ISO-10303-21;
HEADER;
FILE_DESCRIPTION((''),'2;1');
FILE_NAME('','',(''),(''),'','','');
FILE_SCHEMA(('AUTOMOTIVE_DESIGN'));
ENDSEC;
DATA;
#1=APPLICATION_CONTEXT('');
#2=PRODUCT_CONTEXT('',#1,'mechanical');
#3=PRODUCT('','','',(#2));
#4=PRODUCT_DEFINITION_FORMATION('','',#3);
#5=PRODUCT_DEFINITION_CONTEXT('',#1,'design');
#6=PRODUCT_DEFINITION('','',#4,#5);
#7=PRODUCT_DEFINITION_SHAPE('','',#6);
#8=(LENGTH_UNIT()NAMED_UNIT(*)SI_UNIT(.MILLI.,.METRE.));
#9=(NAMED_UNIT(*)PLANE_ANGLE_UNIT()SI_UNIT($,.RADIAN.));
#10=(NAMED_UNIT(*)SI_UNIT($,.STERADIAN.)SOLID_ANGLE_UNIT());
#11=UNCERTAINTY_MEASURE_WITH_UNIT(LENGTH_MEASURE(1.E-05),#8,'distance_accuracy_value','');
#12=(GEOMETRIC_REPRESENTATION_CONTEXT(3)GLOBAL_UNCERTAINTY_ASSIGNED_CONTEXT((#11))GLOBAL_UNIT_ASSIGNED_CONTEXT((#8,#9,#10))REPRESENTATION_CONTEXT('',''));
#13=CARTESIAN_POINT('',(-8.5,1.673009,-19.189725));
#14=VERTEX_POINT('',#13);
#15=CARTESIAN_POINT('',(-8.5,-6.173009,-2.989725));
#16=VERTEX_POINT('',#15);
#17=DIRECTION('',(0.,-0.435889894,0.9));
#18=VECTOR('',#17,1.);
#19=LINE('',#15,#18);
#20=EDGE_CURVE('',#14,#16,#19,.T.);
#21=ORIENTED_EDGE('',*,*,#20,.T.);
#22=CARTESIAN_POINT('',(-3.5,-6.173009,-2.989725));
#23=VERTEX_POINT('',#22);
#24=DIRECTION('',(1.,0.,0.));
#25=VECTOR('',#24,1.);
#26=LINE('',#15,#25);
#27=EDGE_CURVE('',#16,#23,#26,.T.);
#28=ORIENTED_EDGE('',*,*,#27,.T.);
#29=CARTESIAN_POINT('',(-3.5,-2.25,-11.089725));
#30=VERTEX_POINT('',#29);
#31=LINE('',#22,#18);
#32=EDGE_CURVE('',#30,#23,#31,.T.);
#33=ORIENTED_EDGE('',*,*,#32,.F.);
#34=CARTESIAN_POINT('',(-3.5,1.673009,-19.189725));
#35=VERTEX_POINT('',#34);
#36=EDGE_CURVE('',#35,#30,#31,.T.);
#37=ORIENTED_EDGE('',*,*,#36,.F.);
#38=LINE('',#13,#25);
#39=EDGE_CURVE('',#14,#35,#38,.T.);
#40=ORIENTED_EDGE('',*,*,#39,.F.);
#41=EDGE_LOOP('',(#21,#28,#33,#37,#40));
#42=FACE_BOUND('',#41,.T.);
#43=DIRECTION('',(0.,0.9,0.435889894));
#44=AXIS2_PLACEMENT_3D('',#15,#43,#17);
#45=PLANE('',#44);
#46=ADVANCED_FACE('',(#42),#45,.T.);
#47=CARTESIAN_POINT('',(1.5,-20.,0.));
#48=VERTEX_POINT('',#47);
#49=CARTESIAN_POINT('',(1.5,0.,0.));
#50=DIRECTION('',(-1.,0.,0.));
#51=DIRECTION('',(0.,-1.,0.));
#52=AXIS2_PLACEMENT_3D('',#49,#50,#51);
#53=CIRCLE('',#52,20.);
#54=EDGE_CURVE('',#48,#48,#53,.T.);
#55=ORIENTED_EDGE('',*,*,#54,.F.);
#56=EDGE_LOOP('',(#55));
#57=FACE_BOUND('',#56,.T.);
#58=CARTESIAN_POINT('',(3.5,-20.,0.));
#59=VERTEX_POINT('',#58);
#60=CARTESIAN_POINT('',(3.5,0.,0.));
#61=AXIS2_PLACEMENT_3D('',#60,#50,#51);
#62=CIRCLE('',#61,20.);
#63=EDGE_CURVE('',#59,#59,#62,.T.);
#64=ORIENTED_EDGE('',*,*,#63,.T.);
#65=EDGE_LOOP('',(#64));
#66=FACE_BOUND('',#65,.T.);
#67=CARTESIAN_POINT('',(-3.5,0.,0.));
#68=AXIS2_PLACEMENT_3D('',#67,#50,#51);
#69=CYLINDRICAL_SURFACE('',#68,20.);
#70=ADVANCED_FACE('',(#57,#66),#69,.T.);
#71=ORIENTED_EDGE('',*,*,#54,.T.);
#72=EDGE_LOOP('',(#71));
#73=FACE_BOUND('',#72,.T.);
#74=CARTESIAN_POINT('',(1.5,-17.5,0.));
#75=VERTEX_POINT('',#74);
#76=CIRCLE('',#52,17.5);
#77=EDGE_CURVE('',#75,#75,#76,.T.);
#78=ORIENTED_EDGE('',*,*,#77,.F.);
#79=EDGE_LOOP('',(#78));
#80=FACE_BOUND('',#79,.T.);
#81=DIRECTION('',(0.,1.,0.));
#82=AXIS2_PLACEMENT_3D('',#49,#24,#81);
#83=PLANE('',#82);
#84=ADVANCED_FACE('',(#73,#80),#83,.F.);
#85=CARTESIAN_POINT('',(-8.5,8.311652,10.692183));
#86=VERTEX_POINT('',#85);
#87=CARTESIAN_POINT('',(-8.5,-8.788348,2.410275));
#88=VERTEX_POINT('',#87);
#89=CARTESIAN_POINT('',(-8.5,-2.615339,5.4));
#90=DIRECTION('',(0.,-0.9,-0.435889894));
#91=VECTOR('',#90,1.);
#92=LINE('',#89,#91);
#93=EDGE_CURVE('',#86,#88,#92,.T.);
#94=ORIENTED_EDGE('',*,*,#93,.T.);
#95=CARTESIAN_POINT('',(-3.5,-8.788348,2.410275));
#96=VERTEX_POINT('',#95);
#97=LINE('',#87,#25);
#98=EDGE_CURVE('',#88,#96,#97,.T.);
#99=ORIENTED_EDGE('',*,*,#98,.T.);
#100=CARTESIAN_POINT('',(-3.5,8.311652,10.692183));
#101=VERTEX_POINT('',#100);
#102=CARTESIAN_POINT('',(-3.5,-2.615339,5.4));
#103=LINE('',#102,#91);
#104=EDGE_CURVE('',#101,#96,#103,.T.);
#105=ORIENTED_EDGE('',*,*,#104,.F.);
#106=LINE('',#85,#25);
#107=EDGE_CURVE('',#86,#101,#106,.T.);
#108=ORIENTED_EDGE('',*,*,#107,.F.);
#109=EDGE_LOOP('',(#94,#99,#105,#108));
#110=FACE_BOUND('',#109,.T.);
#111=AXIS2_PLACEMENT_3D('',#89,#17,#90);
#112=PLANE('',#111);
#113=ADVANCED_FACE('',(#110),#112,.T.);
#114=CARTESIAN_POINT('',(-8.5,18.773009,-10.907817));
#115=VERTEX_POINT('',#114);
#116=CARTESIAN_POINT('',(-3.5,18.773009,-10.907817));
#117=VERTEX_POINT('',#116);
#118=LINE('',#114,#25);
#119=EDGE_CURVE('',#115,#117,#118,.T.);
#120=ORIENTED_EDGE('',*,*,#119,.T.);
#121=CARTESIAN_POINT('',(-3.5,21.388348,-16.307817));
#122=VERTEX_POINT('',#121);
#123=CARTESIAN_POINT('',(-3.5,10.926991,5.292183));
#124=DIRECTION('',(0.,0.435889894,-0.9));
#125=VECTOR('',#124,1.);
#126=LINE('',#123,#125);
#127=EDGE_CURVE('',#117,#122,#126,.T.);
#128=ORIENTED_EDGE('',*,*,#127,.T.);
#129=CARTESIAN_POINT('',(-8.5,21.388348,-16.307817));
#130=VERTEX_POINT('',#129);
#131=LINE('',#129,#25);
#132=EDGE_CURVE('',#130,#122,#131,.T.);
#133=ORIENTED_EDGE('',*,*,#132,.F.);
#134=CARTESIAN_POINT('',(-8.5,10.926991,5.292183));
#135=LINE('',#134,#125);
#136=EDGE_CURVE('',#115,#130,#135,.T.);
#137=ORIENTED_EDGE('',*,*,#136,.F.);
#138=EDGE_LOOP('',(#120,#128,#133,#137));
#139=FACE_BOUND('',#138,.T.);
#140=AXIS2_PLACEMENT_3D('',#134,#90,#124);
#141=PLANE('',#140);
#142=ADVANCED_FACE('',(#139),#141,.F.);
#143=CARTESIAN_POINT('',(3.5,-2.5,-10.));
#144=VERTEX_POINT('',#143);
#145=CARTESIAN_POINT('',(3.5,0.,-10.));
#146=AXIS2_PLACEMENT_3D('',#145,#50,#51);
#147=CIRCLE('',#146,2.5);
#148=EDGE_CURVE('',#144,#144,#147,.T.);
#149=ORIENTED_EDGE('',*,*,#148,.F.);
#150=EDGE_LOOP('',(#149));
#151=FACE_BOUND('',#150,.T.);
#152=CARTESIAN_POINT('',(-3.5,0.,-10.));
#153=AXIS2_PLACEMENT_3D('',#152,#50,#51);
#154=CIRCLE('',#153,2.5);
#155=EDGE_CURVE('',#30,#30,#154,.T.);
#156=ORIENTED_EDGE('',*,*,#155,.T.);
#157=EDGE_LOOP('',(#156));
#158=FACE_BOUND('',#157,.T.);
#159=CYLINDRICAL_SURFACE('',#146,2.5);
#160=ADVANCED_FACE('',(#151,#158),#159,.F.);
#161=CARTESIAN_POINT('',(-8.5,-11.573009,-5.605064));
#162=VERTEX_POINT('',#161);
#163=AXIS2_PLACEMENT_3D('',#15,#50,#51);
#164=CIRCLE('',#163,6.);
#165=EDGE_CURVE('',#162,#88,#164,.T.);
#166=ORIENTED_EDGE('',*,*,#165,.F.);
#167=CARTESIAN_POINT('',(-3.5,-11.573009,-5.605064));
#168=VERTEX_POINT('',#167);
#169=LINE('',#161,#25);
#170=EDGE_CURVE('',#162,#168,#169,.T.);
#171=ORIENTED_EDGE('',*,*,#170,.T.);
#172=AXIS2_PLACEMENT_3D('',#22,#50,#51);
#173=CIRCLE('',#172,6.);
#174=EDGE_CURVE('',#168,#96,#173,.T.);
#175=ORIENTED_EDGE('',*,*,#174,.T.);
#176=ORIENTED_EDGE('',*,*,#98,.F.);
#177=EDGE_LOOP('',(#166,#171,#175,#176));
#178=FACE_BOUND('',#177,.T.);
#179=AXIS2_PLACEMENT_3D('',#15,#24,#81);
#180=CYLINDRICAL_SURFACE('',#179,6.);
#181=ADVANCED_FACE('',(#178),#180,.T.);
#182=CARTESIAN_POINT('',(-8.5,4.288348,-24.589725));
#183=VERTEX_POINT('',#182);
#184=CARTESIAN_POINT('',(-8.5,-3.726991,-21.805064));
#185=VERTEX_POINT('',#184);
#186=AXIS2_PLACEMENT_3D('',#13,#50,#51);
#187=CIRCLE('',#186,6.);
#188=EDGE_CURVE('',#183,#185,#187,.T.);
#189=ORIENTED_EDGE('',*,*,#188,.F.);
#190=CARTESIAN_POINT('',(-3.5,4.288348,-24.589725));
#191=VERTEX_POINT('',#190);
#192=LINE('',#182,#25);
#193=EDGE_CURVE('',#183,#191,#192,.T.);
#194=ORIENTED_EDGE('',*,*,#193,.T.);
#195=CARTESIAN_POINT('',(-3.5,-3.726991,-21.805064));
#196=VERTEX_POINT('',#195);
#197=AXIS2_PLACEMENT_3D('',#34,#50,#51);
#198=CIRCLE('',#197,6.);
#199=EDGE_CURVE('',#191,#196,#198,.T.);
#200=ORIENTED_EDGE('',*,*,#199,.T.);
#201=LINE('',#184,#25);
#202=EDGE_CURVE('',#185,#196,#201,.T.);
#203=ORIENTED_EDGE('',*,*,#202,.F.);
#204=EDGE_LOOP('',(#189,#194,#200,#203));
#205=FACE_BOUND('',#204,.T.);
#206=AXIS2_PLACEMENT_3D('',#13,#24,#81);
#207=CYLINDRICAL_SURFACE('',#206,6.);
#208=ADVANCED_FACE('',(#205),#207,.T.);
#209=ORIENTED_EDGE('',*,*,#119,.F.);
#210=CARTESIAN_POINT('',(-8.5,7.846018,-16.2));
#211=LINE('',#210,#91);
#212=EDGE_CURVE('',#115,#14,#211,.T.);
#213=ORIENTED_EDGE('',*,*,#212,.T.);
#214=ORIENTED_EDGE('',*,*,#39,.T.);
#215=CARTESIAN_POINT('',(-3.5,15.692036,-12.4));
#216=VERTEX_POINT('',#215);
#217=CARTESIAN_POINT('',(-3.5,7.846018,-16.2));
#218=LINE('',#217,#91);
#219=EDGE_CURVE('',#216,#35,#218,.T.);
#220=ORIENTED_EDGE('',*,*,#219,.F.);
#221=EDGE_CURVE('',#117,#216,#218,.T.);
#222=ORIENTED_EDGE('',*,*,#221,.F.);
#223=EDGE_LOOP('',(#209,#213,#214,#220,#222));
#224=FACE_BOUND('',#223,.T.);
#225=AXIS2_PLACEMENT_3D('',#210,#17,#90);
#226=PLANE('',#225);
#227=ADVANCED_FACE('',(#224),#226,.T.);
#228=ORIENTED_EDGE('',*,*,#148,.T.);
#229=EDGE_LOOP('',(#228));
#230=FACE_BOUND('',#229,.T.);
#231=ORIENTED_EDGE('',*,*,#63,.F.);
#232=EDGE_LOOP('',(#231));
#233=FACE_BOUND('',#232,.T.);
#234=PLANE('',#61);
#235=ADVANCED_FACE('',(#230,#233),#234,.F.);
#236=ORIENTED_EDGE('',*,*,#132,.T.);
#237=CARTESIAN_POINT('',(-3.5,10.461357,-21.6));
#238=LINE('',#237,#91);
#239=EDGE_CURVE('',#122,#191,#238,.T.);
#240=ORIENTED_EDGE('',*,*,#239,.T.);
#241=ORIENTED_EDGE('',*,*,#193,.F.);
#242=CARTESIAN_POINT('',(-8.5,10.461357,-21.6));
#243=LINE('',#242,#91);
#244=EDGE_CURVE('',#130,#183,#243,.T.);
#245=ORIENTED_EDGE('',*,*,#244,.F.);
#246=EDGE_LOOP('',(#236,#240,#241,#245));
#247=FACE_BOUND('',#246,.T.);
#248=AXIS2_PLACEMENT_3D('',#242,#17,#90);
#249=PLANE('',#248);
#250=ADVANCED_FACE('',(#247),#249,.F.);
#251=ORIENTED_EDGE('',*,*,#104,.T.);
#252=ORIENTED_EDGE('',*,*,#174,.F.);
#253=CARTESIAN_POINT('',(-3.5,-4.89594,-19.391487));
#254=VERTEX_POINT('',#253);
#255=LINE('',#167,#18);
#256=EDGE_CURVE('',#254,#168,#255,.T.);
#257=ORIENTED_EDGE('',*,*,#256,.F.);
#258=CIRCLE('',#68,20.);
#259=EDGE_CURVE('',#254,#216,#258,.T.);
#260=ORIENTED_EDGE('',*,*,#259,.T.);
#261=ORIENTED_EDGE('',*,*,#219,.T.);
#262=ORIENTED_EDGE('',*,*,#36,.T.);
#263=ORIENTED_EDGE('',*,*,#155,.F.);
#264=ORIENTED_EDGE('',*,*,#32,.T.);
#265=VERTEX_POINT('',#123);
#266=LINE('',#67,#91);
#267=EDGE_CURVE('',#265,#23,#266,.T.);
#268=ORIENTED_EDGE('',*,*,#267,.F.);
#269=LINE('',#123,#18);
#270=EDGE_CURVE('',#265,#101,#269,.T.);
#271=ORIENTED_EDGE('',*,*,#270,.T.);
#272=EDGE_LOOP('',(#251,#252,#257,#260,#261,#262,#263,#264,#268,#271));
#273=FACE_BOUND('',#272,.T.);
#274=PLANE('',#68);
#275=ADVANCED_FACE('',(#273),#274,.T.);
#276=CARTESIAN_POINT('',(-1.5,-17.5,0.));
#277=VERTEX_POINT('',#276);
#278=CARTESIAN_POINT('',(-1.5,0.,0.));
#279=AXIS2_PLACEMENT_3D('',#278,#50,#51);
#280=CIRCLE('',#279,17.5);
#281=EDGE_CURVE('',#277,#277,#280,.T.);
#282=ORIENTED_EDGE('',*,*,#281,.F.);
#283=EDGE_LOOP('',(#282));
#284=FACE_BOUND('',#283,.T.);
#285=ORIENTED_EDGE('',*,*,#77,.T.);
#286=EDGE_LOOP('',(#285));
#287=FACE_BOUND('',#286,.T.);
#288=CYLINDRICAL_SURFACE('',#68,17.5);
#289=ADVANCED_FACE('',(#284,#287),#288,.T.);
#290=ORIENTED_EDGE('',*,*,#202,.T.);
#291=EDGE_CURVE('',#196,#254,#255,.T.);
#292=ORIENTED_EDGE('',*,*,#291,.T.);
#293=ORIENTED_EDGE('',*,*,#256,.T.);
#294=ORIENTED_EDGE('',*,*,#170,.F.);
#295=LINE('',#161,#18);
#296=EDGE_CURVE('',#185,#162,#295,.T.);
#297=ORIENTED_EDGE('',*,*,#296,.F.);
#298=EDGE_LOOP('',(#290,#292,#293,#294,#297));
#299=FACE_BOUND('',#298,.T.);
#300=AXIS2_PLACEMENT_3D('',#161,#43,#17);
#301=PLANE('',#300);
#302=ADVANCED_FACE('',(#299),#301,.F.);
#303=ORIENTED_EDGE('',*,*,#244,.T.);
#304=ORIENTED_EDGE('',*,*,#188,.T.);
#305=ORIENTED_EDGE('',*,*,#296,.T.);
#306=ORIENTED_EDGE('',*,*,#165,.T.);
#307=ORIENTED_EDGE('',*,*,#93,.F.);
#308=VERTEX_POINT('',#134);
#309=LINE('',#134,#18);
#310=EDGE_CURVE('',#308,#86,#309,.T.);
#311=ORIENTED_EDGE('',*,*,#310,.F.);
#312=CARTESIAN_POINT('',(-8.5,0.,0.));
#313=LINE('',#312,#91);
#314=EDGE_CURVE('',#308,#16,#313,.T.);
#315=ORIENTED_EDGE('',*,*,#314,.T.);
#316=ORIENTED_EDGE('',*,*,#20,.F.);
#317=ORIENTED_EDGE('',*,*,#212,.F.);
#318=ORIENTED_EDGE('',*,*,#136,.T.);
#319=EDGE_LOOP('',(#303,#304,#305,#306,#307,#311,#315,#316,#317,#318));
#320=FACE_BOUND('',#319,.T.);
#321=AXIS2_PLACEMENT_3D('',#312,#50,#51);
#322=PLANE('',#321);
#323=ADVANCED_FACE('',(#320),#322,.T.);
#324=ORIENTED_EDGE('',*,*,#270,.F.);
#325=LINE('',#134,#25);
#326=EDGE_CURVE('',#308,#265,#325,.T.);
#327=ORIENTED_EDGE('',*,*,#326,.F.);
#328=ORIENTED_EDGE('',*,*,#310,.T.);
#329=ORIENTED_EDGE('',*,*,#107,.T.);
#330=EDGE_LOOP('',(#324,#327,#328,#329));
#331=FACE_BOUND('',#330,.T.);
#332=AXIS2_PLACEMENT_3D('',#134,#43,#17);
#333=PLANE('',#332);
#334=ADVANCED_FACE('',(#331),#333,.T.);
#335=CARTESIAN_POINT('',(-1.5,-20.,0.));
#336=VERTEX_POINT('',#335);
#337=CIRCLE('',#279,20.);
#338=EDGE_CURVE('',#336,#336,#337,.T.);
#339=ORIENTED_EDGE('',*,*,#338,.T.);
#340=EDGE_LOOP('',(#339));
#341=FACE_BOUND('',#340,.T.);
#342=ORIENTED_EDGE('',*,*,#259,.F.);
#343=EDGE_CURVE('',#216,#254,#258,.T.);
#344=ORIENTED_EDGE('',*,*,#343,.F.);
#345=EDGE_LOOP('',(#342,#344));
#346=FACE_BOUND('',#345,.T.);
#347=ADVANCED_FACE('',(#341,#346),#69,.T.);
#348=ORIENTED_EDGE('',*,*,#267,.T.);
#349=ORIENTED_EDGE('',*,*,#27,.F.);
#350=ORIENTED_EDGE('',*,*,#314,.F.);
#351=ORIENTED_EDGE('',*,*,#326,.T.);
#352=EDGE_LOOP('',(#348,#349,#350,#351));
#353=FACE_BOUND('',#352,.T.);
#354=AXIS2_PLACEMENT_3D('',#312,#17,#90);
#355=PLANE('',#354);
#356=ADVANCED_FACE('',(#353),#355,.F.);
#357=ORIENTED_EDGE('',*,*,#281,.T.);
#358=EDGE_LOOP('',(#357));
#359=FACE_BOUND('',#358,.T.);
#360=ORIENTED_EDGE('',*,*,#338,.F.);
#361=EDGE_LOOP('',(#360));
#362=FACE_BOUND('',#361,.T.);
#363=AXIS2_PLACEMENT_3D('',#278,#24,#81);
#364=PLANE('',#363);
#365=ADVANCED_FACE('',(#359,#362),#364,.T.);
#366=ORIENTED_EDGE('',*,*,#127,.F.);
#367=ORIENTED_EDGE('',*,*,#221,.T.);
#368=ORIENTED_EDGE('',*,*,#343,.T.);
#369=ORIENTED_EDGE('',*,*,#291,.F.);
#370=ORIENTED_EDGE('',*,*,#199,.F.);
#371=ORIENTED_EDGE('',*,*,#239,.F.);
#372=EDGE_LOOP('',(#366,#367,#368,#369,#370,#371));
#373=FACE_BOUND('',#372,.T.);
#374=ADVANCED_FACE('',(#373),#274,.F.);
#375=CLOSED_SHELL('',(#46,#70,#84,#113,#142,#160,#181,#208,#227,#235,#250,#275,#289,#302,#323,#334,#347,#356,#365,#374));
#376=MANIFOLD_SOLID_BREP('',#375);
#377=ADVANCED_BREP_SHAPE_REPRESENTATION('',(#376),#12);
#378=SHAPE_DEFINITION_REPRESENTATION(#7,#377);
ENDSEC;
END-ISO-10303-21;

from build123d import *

# Parameters (mm, degrees)
BOSS_EXTRUDE1_DEPTH = 5
SKETCH4_R           = 2.5
CUT_EXTRUDE1_DEPTH  = 8


with BuildPart() as part:
    # Sketch1 → Revolve1 (revolve)
    with BuildSketch(Plane.XY):
        Polygon((-3.5, 20), (-3.5, 0), (3.5, 0), (3.5, 20), (1.5, 20), (1.5, 17.5), (-1.5, 17.5), (-1.5, 20), align=None)
    revolve(axis=Axis((-3.5, 0, 0), (1, 0, 0)))

    # Sketch3 → Boss-Extrude1 (add)
    with BuildSketch(Plane.ZY.offset(3.5)):
        with BuildLine():
            Line((-10.907816743, 18.773009049), (-19.189724736, 1.673009049))
            Line((-19.189724736, 1.673009049), (-2.989724736, -6.173009049))
            Line((-2.989724736, -6.173009049), (5.292183257, 10.926990951))
            Line((5.292183257, 10.926990951), (10.692183257, 8.311651585))
            Line((10.692183257, 8.311651585), (2.410275264, -8.788348415))
            ThreePointArc((2.410275264, -8.788348415), (-1.020672318, -11.840709868), (-5.605064102, -11.573009049))
            Line((-5.605064102, -11.573009049), (-21.805064102, -3.726990951))
            ThreePointArc((-21.805064102, -3.726990951), (-24.857425555, -0.296043368), (-24.589724736, 4.288348415))
            Line((-24.589724736, 4.288348415), (-16.307816743, 21.388348415))
            Line((-16.307816743, 21.388348415), (-10.907816743, 18.773009049))
        make_face()
    extrude(amount=BOSS_EXTRUDE1_DEPTH)

    # Sketch4 → Cut-Extrude1 (cut, through all)
    with BuildSketch(Plane.ZY.offset(3.5)):
        with Locations((-10, 0)):
            Circle(SKETCH4_R)
    extrude(amount=-CUT_EXTRUDE1_DEPTH, mode=Mode.SUBTRACT)


solid = part.part
